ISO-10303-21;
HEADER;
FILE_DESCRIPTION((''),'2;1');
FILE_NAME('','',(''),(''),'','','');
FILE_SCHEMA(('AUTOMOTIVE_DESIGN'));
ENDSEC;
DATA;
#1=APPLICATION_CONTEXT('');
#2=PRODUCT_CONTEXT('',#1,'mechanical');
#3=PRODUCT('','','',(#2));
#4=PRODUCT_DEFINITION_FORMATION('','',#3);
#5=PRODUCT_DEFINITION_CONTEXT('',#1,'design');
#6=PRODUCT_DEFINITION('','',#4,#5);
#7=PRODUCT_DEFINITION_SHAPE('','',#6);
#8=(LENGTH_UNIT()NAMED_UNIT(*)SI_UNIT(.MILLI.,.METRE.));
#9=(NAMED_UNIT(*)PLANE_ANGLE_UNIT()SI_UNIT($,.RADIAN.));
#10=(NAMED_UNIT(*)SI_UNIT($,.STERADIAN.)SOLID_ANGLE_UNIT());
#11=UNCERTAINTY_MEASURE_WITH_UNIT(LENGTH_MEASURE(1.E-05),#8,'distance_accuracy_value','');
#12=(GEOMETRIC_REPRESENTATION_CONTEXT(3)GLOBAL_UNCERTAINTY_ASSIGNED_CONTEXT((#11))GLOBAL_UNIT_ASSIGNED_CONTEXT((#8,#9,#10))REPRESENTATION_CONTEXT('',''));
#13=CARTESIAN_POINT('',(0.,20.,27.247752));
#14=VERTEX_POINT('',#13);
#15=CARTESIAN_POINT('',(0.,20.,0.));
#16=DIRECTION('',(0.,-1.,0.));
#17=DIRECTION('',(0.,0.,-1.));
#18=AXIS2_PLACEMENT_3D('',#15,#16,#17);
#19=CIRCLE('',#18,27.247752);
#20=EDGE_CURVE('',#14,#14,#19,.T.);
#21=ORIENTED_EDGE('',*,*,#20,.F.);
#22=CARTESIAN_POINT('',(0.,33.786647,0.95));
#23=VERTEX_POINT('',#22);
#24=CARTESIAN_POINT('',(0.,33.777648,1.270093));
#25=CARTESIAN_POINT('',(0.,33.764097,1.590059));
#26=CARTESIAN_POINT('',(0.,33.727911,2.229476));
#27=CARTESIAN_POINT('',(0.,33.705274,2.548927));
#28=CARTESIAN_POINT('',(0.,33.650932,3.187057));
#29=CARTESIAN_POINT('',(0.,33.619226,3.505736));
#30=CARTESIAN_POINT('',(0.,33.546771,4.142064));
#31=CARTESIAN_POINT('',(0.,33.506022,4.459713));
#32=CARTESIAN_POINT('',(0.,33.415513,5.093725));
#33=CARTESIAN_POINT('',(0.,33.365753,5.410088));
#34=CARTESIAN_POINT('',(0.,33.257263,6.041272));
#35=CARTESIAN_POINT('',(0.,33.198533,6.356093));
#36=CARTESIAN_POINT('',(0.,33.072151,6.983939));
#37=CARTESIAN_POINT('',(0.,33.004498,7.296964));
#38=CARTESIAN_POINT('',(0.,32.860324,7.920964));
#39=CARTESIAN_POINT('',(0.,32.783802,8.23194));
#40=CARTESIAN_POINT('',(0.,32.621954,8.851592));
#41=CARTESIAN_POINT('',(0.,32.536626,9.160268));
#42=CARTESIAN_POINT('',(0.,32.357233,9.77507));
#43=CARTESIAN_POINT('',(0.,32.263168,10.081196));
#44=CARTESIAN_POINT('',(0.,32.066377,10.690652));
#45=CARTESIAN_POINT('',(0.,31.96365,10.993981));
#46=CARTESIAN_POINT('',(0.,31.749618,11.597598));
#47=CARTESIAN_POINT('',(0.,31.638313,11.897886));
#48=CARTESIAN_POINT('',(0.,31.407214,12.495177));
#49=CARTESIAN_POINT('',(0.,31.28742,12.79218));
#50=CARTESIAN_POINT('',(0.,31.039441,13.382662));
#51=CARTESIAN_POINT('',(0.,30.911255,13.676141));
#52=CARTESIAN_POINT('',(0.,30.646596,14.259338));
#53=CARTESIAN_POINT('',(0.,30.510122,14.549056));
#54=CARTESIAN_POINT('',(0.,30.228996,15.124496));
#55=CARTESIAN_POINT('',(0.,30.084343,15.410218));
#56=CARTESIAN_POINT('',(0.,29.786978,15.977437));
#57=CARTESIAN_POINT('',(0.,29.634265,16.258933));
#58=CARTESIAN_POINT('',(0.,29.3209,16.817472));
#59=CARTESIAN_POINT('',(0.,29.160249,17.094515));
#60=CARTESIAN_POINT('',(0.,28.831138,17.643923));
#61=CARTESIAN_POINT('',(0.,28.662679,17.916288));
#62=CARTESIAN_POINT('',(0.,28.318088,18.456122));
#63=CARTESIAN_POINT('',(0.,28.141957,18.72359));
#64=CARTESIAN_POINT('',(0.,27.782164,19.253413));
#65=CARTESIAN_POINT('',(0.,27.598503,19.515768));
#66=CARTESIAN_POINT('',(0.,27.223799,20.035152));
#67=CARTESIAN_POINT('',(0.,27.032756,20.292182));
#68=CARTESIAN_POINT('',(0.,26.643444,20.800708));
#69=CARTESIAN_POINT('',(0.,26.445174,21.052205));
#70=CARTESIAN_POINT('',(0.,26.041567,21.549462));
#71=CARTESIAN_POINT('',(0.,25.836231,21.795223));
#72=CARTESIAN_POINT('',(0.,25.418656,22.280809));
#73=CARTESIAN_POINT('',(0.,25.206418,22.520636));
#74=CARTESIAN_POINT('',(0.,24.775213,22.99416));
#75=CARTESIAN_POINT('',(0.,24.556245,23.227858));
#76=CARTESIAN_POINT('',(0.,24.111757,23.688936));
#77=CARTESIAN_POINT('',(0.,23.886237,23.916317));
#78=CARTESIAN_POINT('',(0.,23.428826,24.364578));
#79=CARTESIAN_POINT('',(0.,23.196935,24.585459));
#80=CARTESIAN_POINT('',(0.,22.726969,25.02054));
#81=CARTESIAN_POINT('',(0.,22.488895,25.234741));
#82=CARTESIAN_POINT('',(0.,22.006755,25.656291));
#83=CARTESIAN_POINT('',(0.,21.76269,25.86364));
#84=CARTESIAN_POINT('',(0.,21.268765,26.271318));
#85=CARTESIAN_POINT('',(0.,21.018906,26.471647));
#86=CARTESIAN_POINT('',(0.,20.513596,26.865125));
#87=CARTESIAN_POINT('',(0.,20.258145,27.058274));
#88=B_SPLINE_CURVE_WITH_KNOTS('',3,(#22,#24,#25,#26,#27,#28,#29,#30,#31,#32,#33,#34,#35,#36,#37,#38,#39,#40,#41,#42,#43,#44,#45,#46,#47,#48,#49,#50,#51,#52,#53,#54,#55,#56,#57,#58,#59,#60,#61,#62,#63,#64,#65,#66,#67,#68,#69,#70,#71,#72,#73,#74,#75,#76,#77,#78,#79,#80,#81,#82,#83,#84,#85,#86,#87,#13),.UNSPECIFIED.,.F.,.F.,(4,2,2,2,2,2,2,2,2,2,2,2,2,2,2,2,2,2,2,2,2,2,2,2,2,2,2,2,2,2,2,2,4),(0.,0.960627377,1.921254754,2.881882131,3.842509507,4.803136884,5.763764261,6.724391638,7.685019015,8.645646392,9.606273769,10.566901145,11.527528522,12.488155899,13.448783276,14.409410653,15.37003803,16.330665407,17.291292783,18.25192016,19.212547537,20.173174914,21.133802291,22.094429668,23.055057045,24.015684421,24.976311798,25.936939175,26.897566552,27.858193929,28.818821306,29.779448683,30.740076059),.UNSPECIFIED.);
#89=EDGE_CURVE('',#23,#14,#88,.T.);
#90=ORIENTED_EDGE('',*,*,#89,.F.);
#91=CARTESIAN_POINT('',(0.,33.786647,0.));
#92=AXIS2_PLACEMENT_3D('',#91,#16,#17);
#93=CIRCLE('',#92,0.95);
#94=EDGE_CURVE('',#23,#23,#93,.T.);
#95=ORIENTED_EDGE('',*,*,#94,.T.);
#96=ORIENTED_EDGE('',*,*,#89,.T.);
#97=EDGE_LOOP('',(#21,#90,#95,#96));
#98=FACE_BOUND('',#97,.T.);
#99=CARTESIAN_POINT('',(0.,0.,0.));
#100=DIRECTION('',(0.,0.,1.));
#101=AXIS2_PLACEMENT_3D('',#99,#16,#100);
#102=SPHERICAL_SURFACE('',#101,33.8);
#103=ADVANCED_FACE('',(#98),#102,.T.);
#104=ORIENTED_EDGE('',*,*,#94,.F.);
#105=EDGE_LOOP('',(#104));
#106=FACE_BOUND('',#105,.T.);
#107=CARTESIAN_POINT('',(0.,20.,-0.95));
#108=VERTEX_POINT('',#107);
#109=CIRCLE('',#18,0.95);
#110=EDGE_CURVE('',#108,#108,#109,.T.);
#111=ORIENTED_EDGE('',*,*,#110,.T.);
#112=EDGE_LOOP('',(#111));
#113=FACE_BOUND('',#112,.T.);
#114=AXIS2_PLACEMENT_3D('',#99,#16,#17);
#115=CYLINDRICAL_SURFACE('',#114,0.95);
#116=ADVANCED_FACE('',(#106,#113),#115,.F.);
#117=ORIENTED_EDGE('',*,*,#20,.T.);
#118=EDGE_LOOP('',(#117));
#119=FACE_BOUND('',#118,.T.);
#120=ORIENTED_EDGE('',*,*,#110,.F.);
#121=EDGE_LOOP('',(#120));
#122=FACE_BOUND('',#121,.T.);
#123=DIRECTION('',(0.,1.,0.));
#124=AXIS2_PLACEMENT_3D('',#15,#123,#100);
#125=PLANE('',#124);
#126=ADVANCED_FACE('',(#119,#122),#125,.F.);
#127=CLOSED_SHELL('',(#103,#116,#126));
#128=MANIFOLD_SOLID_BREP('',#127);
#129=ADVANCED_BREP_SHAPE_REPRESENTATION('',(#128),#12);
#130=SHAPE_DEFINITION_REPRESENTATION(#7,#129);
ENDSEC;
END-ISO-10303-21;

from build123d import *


with BuildPart() as part:
    # Sketch2 → Revolve1 (revolve)
    with BuildSketch(Plane(origin=(0, 0, 0), x_dir=(0, 0, -1), z_dir=(1, 0, 0)), mode=Mode.PRIVATE) as revolve1_sk:
        with BuildLine():
            ThreePointArc((-0.95, 31.785806581), (-14.124641117, 28.490954939), (-24.723268392, 20))
            Line((-24.723268392, 20), (-0.95, 20))
            Line((-0.95, 20), (-0.95, 31.785806581))
        make_face()
        with BuildLine():
            ThreePointArc((-0.95, 33.786646771), (-15.693827277, 29.935660765), (-27.247752201, 20))
            Line((-27.247752201, 20), (-24.723268392, 20))
            ThreePointArc((-24.723268392, 20), (-14.124641117, 28.490954939), (-0.95, 31.785806581))
            Line((-0.95, 31.785806581), (-0.95, 33.786646771))
        make_face()
    revolve(revolve1_sk.sketch.rotate(Axis((0, 0, 0), (0, 1, 0)), 180), axis=Axis((0, 0, 0), (0, 1, 0)))


solid = part.part
